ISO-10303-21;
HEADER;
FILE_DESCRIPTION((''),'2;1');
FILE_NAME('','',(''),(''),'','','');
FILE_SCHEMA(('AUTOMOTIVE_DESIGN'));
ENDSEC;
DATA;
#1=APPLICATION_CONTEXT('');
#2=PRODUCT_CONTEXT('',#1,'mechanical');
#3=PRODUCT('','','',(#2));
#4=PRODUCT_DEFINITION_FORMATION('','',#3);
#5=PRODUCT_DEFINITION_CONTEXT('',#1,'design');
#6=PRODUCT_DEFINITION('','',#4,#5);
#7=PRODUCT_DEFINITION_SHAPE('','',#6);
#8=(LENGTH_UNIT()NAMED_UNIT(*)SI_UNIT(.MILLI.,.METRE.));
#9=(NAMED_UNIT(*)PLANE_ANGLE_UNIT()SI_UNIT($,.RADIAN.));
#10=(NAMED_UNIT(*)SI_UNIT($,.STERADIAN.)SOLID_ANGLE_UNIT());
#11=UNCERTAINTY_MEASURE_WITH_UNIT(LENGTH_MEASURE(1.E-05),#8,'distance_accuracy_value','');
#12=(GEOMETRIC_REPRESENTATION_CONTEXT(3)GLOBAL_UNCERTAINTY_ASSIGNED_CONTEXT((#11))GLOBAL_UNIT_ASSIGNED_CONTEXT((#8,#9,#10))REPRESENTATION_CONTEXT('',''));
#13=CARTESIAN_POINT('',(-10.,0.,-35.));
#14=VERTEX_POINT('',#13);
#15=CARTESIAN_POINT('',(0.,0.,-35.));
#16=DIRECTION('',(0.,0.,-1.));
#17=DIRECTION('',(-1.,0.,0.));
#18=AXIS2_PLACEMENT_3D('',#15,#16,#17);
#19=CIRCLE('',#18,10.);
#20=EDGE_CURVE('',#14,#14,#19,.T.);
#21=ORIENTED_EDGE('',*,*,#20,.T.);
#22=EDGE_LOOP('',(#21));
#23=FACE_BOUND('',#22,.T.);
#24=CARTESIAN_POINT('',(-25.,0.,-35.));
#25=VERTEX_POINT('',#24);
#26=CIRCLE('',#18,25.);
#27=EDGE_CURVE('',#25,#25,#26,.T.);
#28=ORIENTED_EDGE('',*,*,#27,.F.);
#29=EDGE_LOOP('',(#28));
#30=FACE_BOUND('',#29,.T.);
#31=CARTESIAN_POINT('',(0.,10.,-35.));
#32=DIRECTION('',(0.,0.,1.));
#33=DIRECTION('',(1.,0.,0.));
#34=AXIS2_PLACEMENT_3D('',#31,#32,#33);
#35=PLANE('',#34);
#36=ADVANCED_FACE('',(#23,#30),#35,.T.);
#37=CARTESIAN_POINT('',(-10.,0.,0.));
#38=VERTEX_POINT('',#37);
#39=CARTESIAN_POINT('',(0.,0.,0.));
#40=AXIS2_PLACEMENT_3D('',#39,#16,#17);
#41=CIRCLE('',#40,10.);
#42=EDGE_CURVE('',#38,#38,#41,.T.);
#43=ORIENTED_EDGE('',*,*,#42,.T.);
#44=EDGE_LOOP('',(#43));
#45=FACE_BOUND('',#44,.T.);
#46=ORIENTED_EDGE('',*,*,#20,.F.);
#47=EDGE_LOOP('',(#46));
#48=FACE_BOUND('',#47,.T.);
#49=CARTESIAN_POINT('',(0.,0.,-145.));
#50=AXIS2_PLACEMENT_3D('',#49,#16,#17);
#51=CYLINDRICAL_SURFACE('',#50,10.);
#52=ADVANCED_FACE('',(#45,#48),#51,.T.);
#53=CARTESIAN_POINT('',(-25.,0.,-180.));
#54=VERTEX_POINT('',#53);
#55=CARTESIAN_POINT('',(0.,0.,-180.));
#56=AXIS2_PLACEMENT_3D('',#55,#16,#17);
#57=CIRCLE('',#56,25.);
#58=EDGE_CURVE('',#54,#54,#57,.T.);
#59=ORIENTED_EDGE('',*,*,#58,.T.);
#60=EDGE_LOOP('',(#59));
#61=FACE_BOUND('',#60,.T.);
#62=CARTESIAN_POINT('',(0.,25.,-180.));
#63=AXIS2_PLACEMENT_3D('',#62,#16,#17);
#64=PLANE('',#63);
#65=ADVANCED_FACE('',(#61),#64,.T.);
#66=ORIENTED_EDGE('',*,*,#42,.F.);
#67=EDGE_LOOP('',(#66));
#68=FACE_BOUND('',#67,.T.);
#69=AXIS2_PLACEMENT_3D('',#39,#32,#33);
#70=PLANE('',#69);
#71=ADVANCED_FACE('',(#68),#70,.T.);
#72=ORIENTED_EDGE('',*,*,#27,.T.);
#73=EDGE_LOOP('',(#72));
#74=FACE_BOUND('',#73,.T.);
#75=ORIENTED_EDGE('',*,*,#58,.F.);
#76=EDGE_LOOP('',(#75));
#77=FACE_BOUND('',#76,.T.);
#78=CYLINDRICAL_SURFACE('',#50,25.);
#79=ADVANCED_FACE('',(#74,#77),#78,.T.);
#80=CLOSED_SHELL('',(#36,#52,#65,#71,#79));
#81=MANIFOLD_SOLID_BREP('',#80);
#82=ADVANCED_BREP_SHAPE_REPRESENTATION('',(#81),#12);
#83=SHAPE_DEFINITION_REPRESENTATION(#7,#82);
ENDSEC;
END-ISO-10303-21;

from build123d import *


with BuildPart() as part:
    # Sketch1 → Revolve1 (revolve)
    with BuildSketch(Plane(origin=(0, 0, 0), x_dir=(0, 0, -1), z_dir=(1, 0, 0)), mode=Mode.PRIVATE) as revolve1_sk:
        Polygon((0, 0), (0, 10), (35, 10), (35, 25), (180, 25), (180, 0), align=None)
    revolve(revolve1_sk.sketch.rotate(Axis((0, 0, -145), (0, 0, 1)), 90), axis=Axis((0, 0, -145), (0, 0, 1)))


solid = part.part
